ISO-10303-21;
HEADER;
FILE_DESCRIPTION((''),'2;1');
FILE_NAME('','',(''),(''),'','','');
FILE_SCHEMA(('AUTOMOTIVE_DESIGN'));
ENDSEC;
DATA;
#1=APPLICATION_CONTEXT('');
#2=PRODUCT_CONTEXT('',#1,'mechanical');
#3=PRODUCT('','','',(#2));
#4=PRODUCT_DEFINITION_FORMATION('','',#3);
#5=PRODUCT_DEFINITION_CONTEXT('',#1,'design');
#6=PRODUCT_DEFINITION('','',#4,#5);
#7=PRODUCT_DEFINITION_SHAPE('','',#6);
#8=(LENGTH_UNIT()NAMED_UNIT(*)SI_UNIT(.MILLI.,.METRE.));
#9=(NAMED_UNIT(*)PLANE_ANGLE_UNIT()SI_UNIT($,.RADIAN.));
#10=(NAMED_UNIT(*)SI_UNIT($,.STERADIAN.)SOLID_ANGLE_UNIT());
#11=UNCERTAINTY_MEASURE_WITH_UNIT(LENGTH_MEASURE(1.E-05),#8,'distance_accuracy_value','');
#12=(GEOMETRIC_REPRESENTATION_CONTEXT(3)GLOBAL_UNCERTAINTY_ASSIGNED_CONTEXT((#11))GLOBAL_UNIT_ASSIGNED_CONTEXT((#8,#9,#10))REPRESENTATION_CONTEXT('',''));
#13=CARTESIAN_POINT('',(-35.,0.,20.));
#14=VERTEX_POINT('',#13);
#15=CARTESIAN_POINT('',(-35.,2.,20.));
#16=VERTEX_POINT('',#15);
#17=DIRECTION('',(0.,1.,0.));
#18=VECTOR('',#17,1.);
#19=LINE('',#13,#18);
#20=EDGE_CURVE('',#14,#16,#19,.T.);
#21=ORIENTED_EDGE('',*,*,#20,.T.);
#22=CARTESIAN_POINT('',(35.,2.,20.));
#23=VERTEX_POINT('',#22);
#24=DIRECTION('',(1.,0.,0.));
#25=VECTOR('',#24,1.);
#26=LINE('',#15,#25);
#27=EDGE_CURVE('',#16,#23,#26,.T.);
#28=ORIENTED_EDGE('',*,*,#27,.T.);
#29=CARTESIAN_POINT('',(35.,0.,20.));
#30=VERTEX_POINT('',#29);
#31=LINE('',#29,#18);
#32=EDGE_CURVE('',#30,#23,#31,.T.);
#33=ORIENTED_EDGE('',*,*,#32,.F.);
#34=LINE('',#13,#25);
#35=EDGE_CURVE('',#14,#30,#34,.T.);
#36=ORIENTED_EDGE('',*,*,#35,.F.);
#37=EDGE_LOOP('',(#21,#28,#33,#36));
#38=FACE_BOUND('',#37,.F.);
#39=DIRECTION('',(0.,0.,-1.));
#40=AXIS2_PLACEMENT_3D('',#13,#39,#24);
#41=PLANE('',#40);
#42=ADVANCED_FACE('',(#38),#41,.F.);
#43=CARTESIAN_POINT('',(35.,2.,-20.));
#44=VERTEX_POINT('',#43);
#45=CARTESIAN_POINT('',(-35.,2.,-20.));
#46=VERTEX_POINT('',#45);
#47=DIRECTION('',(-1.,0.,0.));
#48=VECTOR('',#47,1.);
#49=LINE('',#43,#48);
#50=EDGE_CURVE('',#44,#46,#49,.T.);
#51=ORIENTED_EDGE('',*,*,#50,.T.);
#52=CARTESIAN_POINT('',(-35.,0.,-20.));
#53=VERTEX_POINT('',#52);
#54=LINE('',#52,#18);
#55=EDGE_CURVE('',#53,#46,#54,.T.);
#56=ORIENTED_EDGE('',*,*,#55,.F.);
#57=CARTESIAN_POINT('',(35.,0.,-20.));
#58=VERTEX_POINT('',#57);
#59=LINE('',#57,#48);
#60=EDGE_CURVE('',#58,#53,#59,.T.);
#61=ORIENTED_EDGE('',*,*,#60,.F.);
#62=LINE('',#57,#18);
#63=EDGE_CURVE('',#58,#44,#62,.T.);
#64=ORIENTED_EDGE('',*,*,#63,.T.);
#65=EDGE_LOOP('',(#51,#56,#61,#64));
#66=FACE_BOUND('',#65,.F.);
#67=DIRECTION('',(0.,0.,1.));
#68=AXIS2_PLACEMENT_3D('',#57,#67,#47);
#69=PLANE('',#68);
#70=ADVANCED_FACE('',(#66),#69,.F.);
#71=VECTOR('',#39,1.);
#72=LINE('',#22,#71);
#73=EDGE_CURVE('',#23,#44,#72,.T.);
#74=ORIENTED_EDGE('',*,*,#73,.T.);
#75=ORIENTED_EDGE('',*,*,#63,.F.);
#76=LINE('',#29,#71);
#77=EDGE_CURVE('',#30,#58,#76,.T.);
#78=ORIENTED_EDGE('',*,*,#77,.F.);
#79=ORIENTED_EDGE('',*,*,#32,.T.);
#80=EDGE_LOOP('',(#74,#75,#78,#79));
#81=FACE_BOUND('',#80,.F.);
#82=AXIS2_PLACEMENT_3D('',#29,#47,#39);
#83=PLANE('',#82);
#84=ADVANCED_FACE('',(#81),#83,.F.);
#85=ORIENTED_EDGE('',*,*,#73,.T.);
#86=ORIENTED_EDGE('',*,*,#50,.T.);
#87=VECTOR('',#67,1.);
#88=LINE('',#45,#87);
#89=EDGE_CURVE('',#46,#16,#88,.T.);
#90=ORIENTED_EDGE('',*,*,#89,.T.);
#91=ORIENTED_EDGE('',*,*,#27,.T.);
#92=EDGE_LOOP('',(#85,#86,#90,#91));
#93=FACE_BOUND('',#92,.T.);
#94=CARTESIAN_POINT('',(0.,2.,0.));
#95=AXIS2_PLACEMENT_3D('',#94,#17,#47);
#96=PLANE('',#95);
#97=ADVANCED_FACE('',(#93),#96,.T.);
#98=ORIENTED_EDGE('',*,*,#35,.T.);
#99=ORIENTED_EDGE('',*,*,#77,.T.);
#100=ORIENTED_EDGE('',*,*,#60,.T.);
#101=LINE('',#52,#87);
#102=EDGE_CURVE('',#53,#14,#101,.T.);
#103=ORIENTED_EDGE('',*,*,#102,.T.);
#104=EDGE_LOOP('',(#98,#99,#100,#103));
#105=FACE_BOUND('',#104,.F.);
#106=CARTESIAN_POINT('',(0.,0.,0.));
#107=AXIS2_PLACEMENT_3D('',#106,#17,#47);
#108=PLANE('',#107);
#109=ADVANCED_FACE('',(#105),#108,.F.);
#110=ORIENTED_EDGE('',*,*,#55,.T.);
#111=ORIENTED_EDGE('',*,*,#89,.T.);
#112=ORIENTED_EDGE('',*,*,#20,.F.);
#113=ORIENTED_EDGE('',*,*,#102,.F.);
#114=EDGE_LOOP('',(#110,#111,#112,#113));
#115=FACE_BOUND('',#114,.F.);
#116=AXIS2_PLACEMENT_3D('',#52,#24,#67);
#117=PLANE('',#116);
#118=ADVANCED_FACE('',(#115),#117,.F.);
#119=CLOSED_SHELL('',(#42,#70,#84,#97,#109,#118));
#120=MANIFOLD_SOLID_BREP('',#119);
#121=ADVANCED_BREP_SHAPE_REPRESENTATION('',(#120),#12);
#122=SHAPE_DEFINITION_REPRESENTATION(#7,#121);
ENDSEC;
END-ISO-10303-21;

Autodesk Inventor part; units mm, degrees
ref_plane "YZ Plane" through (0, 0, 0) normal (1, 0, 0) x (0, 1, 0)
ref_plane "XZ Plane" through (0, 0, 0) normal (0, 1, 0) x (-1, 0, 0)
ref_plane "XY Plane" through (0, 0, 0) normal (0, 0, 1) x (1, 0, 0)
sketch "Sketch1" plane through (0, 0, 0) normal (0, 1, 0) x (-1, 0, 0)
  line L0 (-35, -20) -> (35, -20)
  line L1 (35, -20) -> (35, 20)
  line L2 (35, 20) -> (-35, 20)
  line L3 (-35, 20) -> (-35, -20)
  line L4 (-35, -20) -> (35, 20) construction
  line L5 (35, -20) -> (-35, 20) construction
  point P0 (0, 0)
  dimension "d0" = 70
  dimension "d1" = 40
extrude "Extrusion1" add sketch "Sketch1" along normal blind 2
sketch "Sketch2" plane through (0, 2, 0) normal (0, 1, 0) x (1, 0, 0)
  circle A0 centre (-33, -18) radius 1
  line L0 (-35, -20) -> (35, -20) projected
  line L1 (-35, 20) -> (-35, -20) projected
  circle A1 centre (-33, -12) radius 1
  circle A2 centre (-29, -15) radius 1
  point P0 (0, 0)
  dimension "d4" = 2
  dimension "d5" = 2
  dimension "d6" = 2
  dimension "d7" = 2
  dimension "d8" = 6
  dimension "d9" = 2
  dimension "d11" = 4
  dimension "d12" = 3
properties part number "base_soft"
